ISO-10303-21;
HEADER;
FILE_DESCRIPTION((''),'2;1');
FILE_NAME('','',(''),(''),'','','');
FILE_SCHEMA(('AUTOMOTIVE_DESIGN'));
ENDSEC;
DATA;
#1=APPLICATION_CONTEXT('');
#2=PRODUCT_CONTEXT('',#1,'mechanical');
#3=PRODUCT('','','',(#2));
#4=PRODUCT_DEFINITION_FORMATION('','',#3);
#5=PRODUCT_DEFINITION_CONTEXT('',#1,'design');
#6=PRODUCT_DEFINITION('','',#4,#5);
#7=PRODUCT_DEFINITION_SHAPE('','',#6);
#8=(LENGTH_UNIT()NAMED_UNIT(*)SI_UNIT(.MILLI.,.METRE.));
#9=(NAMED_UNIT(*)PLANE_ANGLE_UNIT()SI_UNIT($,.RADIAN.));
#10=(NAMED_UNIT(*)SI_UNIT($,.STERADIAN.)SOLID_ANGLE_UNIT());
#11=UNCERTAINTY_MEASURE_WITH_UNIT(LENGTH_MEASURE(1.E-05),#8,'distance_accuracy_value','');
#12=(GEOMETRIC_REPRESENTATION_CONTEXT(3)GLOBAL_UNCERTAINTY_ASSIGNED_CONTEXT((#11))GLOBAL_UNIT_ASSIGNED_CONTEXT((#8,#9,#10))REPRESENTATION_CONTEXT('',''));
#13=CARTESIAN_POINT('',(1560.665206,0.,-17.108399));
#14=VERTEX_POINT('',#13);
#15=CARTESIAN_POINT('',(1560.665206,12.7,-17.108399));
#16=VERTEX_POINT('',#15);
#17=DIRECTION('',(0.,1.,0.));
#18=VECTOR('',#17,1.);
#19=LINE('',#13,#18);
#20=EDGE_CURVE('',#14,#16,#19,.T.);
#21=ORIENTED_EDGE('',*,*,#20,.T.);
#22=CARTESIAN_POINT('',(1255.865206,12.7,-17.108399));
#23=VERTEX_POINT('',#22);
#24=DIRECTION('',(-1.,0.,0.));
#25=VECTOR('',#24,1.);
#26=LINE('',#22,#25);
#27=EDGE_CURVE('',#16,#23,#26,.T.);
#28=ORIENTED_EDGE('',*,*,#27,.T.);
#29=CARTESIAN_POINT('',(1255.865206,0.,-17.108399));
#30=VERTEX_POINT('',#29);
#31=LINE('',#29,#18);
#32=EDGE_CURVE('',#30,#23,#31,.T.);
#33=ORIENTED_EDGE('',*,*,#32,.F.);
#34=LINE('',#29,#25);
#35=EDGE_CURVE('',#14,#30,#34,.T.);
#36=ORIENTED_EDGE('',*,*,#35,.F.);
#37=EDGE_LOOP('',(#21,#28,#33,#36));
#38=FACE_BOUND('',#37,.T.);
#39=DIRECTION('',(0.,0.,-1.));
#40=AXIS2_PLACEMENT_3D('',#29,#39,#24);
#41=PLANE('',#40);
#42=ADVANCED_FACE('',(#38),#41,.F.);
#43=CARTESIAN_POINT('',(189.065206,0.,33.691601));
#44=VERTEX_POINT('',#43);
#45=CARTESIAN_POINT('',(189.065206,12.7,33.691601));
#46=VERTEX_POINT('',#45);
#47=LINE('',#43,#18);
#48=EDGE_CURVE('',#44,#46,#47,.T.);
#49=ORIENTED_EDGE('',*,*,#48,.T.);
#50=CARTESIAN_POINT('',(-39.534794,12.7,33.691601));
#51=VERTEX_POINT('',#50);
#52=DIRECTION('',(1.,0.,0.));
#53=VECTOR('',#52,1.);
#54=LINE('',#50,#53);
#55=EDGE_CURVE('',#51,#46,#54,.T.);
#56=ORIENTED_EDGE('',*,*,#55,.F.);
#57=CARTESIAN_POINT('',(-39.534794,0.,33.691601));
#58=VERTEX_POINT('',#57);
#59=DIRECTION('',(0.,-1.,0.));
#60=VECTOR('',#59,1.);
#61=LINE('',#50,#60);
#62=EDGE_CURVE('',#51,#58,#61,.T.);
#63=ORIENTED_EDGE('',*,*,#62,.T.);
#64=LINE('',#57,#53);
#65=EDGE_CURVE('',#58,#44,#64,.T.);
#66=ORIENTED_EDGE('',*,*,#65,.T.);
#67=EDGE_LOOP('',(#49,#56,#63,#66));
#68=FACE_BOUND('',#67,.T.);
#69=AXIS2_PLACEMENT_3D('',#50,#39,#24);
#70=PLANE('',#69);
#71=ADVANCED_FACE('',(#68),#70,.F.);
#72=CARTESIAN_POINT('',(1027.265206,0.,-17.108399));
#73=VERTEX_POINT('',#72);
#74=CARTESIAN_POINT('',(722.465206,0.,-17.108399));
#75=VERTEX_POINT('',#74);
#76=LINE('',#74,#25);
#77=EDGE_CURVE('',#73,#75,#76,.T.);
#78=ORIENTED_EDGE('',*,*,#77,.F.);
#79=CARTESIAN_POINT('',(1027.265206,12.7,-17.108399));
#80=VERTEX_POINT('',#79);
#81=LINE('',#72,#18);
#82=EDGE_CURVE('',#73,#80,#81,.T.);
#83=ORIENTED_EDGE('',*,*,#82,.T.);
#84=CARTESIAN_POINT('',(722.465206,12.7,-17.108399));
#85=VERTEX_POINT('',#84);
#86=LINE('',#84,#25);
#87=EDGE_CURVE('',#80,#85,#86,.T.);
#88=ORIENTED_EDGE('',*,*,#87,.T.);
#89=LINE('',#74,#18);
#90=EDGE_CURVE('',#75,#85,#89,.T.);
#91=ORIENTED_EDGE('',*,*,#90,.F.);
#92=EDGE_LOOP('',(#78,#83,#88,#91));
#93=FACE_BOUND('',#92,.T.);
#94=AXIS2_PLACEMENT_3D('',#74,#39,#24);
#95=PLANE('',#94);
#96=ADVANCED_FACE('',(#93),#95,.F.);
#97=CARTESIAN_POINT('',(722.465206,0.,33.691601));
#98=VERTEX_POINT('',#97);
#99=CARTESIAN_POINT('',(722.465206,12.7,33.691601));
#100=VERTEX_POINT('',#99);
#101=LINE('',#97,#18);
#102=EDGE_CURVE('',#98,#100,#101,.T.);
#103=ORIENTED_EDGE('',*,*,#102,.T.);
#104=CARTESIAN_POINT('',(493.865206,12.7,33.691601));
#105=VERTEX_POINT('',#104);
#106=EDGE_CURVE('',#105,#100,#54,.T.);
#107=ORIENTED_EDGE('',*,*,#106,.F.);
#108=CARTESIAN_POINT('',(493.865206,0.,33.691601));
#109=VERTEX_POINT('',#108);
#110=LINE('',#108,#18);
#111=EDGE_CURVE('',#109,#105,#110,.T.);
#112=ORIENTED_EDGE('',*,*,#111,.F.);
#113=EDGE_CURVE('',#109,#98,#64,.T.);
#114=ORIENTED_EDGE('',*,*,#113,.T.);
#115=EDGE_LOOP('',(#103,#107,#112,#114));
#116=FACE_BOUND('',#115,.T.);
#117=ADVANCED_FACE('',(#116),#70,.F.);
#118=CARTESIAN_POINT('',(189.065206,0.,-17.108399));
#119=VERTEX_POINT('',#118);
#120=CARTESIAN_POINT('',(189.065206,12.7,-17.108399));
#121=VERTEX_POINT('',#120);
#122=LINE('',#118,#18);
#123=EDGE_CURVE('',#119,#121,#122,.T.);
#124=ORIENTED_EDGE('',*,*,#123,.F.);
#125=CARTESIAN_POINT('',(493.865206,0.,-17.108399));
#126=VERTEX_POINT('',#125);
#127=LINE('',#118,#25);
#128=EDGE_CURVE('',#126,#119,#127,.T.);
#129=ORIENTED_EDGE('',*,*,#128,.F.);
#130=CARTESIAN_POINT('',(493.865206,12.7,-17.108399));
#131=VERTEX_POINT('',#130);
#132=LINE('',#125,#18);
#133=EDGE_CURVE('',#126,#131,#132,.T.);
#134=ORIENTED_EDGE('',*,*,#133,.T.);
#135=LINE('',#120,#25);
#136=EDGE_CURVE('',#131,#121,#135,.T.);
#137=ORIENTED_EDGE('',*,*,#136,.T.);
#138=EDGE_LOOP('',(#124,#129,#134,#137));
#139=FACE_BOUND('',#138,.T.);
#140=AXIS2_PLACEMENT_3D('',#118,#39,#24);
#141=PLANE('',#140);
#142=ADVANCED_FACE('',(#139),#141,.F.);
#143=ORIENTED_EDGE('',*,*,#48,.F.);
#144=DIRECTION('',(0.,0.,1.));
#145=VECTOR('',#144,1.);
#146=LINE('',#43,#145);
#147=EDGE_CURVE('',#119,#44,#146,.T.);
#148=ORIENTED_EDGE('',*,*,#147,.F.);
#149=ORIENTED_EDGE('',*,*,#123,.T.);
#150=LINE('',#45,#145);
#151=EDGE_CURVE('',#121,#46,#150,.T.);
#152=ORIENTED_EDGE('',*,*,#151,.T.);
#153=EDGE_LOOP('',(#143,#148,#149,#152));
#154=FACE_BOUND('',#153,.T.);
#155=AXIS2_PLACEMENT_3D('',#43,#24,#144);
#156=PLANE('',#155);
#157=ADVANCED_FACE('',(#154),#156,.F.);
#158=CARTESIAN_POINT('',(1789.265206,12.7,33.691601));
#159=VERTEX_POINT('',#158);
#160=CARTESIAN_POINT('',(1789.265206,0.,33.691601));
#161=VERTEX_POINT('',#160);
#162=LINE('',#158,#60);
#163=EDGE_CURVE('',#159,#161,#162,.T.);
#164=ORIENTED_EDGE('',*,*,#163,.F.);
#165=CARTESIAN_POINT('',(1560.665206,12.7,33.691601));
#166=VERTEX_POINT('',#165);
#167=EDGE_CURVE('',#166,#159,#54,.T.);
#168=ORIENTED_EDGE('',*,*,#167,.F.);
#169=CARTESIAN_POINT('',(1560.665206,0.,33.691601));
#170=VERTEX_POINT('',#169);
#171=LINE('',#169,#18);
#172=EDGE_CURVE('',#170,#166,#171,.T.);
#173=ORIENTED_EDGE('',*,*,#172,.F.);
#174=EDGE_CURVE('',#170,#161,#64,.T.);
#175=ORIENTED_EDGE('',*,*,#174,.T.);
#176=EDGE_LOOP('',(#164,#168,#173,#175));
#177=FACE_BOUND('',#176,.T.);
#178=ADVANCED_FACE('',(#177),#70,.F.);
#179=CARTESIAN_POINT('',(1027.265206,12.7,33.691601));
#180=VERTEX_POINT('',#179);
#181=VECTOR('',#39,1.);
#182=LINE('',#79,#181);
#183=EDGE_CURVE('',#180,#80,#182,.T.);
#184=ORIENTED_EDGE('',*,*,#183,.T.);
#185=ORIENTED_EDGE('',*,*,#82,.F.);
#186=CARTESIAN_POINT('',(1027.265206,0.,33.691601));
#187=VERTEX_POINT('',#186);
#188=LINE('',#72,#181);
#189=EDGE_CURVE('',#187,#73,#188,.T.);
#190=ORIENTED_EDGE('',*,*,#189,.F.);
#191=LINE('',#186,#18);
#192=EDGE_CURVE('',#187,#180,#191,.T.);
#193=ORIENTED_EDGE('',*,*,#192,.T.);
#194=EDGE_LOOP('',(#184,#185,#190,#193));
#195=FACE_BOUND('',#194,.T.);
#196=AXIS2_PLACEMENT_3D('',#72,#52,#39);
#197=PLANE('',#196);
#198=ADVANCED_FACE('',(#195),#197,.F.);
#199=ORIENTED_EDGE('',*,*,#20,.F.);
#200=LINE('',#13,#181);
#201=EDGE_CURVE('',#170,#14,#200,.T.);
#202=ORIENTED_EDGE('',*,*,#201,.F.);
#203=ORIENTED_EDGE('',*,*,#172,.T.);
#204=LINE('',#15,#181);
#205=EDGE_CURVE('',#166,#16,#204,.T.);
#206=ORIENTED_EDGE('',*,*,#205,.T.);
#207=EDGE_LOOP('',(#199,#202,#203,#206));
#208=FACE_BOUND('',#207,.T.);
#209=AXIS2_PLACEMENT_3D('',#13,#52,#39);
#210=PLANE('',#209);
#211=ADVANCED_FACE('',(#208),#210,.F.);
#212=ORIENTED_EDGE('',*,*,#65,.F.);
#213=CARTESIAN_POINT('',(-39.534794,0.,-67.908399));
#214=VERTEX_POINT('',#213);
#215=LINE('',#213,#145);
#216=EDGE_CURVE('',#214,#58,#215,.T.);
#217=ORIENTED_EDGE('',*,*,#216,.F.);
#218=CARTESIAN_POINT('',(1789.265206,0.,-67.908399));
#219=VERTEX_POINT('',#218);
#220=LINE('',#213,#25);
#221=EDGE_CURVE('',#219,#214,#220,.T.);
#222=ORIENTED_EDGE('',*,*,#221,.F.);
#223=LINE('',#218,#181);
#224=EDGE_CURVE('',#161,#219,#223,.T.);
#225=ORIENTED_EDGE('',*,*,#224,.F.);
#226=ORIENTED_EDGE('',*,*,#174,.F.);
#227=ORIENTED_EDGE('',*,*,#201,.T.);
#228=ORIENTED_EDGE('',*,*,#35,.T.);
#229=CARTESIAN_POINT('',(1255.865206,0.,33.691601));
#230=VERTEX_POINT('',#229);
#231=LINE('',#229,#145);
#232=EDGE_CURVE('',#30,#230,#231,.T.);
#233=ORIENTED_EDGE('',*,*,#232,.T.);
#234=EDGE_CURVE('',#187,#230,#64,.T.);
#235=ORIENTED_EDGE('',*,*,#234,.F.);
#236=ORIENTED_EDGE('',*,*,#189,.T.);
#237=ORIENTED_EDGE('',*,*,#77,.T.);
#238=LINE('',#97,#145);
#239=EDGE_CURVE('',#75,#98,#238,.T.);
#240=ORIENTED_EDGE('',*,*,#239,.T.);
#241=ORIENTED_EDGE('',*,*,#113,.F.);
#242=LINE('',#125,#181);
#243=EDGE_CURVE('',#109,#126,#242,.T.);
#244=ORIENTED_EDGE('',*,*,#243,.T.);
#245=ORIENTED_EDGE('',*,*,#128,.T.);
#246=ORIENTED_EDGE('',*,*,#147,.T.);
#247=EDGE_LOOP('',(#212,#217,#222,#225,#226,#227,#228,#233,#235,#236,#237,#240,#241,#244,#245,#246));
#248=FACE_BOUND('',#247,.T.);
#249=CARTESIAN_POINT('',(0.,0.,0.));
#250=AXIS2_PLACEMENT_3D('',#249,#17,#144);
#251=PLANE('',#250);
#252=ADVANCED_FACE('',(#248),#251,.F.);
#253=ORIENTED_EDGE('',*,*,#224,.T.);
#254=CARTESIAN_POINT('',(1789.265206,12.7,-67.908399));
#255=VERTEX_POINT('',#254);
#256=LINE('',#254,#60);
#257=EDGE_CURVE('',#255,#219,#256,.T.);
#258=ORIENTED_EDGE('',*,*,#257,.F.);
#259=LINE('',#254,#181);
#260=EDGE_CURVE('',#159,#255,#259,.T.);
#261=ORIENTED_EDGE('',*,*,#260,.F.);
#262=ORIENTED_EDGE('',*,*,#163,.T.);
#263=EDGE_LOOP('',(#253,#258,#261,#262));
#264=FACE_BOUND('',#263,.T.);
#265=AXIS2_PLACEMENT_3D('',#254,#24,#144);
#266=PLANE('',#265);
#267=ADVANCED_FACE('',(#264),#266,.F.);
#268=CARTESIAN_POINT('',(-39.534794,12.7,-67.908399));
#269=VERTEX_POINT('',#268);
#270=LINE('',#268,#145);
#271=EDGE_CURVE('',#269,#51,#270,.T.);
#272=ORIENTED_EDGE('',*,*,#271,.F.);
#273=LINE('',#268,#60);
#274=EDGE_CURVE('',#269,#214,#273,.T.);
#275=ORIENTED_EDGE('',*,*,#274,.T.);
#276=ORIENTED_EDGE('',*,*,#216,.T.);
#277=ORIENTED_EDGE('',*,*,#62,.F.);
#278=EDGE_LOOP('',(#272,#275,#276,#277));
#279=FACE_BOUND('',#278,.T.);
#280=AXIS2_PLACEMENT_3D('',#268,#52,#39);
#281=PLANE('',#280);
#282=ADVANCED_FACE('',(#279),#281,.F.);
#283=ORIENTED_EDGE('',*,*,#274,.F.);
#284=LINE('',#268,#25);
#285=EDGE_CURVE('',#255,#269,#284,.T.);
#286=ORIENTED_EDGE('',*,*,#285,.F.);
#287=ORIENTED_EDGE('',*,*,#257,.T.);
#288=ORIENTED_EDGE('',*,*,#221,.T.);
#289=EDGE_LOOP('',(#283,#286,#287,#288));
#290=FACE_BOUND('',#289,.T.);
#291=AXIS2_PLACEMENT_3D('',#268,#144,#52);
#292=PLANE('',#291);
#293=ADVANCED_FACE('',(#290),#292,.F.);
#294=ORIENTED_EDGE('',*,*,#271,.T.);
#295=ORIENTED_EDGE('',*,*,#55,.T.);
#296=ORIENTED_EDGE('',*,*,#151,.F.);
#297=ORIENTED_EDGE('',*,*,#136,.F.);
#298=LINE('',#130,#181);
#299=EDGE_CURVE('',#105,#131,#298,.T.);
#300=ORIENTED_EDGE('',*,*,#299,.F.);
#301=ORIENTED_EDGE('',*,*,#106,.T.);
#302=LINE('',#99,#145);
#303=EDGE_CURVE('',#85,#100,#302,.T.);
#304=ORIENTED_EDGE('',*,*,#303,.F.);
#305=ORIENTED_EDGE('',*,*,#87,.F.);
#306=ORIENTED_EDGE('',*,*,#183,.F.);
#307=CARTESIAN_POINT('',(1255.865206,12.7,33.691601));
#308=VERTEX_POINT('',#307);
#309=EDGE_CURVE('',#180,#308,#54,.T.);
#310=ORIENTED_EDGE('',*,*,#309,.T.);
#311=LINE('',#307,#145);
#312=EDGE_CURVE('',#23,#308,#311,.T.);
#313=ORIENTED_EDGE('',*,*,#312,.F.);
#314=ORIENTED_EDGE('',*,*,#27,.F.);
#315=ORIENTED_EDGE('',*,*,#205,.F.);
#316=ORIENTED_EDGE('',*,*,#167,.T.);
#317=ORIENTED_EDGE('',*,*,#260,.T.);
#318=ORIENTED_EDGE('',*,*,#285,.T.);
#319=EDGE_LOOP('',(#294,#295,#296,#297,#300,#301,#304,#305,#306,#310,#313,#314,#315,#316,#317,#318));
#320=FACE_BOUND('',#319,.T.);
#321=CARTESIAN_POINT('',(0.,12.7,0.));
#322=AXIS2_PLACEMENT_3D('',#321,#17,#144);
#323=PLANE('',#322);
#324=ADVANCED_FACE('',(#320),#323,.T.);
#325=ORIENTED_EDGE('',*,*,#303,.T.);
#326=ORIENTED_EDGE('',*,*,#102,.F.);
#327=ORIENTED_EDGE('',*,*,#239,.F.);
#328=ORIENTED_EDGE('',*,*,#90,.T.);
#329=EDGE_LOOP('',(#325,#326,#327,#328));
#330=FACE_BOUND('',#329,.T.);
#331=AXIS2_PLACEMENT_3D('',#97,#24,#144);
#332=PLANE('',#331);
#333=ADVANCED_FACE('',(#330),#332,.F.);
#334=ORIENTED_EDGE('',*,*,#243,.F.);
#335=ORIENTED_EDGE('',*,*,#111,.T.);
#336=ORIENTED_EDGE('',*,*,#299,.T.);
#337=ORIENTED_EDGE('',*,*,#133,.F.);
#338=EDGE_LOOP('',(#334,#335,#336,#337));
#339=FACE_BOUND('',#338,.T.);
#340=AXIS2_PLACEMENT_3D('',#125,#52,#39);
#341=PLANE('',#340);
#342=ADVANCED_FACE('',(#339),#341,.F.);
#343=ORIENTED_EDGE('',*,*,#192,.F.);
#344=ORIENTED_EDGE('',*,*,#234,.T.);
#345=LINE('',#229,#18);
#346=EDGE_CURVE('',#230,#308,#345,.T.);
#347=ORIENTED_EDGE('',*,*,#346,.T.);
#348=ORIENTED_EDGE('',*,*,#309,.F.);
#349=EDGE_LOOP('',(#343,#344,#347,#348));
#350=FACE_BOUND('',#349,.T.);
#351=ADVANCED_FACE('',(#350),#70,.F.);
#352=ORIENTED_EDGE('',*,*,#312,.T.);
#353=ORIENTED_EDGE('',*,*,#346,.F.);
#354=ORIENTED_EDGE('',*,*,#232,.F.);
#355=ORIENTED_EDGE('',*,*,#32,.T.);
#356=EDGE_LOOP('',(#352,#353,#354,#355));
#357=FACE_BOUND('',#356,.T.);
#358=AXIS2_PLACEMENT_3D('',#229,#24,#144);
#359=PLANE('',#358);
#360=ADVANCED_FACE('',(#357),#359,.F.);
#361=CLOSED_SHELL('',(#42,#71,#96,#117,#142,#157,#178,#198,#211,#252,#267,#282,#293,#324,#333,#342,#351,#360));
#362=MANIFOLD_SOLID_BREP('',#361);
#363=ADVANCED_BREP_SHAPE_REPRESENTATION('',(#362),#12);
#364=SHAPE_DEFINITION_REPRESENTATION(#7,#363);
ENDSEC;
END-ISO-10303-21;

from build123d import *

# Parameters (mm, degrees)
SKETCH1_W           = 1828.8
SKETCH1_H           = 101.6
BOSS_EXTRUDE1_DEPTH = 12.7
CUT_EXTRUDE1_DEPTH  = 12.7


with BuildPart() as part:
    # Sketch1 → Boss-Extrude1 (new body)
    with BuildSketch(Plane(origin=(0, 0, 0), x_dir=(1, 0, 0), z_dir=(0, 1, 0))):
        with Locations((874.865206316, 17.108399093)):
            Rectangle(SKETCH1_W, SKETCH1_H)
    extrude(amount=BOSS_EXTRUDE1_DEPTH)

    # Sketch2 → Cut-Extrude1 (cut)
    with BuildSketch(Plane(origin=(0, 12.7, 0), x_dir=(1, 0, 0), z_dir=(0, 1, 0))):
        Polygon((341.465206316, -33.691600907), (189.065206316, -33.691600907), (189.065206316, 17.108399093), (493.865206316, 17.108399093), (493.865206316, -33.691600907), align=None)
        Polygon((1408.265206316, -33.691600907), (1255.865206316, -33.691600907), (1255.865206316, 17.108399093), (1560.665206316, 17.108399093), (1560.665206316, -33.691600907), align=None)
        Polygon((874.865206316, -33.691600907), (722.465206316, -33.691600907), (722.465206316, 17.108399093), (1027.265206316, 17.108399093), (1027.265206316, -33.691600907), align=None)
    extrude(amount=-CUT_EXTRUDE1_DEPTH, mode=Mode.SUBTRACT)


solid = part.part
